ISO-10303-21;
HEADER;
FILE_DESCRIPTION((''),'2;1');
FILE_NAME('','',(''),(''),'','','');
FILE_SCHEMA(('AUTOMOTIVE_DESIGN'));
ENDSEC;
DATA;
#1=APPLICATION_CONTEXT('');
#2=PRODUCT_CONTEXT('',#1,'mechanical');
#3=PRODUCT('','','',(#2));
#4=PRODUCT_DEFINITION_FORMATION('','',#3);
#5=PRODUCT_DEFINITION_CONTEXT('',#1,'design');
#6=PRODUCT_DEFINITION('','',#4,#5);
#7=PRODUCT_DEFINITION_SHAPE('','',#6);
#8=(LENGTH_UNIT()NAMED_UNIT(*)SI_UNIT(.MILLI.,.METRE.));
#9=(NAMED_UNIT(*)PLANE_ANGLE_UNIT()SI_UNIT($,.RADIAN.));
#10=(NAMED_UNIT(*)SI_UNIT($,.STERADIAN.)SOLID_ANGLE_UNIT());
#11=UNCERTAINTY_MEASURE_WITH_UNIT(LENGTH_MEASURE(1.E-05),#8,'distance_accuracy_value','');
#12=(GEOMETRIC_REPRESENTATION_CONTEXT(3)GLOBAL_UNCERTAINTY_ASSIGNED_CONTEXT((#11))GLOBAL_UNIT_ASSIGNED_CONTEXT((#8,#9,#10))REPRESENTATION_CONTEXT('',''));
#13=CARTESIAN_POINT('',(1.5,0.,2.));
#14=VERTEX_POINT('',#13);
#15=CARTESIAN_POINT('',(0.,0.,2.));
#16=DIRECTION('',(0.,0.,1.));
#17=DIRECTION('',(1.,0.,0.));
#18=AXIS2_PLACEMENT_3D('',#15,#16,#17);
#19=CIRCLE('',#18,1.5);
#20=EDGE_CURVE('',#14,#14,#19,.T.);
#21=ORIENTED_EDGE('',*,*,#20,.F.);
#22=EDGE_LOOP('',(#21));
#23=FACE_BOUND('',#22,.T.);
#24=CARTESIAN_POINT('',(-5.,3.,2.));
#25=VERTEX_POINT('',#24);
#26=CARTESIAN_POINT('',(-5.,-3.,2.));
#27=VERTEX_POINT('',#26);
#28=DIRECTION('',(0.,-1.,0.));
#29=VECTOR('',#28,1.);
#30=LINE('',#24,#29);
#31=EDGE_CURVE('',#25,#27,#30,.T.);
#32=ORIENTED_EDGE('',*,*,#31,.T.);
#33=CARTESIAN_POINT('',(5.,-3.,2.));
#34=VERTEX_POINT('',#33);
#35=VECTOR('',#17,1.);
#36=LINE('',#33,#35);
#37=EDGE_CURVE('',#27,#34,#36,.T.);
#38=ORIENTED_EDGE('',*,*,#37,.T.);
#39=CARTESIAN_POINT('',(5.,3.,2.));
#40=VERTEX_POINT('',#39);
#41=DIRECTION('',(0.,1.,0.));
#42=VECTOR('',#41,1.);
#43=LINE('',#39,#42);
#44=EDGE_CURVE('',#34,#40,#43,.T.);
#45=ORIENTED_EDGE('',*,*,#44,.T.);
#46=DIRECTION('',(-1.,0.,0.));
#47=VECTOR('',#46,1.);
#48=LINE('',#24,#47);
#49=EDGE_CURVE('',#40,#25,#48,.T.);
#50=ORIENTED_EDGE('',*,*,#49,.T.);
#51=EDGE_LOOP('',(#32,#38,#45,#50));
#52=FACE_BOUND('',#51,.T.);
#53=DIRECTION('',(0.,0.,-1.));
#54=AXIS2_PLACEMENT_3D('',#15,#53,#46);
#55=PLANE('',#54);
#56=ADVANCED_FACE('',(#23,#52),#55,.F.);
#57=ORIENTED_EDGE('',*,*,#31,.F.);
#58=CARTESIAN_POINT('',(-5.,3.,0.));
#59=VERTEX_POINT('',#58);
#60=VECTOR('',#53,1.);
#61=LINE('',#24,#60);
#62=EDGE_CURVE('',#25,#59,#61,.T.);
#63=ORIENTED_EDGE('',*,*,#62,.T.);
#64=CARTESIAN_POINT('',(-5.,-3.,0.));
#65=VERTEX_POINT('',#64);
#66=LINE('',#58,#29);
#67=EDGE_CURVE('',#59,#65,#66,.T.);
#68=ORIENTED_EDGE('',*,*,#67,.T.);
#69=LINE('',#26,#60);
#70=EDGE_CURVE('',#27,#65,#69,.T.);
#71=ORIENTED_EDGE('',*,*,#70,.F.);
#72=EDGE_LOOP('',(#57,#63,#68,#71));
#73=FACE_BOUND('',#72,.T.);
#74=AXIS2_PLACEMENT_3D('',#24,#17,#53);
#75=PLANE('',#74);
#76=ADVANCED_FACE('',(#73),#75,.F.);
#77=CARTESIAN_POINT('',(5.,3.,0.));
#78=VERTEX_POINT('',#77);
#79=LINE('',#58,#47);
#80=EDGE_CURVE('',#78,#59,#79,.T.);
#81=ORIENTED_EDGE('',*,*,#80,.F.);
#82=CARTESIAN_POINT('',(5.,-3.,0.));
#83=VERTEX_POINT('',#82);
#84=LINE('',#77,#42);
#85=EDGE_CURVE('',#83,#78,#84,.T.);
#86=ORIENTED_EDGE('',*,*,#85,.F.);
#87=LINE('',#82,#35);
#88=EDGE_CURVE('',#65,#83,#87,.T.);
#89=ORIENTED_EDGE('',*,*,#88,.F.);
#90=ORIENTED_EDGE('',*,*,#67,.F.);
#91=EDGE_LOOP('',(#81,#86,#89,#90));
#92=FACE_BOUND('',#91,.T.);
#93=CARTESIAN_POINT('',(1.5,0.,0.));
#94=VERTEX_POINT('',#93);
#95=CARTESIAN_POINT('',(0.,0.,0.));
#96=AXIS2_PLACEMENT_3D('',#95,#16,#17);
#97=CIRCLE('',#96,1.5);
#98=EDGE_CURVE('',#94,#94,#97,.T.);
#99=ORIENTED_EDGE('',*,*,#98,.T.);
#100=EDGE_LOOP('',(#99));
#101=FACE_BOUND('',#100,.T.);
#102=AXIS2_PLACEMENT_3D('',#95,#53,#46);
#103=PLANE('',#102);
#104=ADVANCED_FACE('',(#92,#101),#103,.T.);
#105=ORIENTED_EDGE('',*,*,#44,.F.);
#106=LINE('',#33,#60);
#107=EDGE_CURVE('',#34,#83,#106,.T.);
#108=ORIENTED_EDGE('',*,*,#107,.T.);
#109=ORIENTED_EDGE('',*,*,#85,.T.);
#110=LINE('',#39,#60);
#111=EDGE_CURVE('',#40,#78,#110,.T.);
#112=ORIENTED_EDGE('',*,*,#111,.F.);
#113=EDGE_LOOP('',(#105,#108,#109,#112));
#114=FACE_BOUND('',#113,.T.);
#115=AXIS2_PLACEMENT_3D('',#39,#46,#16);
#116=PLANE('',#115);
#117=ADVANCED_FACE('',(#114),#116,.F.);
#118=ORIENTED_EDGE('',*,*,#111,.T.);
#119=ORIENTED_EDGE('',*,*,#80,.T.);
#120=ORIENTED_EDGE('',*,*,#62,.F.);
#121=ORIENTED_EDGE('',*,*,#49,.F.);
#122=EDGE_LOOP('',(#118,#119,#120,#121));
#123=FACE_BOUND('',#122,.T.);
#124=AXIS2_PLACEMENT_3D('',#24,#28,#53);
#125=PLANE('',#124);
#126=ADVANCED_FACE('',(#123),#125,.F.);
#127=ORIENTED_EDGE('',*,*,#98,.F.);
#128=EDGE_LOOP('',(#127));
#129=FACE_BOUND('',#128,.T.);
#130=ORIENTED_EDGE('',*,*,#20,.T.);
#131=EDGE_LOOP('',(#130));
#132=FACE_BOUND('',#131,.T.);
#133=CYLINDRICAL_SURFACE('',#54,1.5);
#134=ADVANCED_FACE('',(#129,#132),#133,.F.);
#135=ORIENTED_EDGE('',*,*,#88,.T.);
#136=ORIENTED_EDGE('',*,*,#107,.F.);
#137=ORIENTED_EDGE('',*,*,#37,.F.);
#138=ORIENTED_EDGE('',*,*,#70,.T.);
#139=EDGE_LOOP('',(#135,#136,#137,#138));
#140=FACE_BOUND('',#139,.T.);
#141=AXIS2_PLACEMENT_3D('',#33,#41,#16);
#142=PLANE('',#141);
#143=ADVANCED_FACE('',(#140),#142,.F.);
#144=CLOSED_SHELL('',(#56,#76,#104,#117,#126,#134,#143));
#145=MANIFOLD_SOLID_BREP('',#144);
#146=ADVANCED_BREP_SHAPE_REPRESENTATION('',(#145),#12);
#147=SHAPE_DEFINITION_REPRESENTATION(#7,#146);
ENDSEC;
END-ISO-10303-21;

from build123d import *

# Parameters (mm, degrees)
MODEL_W             = 10
MODEL_H             = 6
MODEL_R             = 1.5
BOSS_EXTRUDE1_DEPTH = 2


with BuildPart() as part:
    # Model → Boss-Extrude1 (new body)
    with BuildSketch(Plane.XY):
        Rectangle(MODEL_W, MODEL_H)
        Circle(MODEL_R, mode=Mode.SUBTRACT)
    extrude(amount=BOSS_EXTRUDE1_DEPTH)


solid = part.part
